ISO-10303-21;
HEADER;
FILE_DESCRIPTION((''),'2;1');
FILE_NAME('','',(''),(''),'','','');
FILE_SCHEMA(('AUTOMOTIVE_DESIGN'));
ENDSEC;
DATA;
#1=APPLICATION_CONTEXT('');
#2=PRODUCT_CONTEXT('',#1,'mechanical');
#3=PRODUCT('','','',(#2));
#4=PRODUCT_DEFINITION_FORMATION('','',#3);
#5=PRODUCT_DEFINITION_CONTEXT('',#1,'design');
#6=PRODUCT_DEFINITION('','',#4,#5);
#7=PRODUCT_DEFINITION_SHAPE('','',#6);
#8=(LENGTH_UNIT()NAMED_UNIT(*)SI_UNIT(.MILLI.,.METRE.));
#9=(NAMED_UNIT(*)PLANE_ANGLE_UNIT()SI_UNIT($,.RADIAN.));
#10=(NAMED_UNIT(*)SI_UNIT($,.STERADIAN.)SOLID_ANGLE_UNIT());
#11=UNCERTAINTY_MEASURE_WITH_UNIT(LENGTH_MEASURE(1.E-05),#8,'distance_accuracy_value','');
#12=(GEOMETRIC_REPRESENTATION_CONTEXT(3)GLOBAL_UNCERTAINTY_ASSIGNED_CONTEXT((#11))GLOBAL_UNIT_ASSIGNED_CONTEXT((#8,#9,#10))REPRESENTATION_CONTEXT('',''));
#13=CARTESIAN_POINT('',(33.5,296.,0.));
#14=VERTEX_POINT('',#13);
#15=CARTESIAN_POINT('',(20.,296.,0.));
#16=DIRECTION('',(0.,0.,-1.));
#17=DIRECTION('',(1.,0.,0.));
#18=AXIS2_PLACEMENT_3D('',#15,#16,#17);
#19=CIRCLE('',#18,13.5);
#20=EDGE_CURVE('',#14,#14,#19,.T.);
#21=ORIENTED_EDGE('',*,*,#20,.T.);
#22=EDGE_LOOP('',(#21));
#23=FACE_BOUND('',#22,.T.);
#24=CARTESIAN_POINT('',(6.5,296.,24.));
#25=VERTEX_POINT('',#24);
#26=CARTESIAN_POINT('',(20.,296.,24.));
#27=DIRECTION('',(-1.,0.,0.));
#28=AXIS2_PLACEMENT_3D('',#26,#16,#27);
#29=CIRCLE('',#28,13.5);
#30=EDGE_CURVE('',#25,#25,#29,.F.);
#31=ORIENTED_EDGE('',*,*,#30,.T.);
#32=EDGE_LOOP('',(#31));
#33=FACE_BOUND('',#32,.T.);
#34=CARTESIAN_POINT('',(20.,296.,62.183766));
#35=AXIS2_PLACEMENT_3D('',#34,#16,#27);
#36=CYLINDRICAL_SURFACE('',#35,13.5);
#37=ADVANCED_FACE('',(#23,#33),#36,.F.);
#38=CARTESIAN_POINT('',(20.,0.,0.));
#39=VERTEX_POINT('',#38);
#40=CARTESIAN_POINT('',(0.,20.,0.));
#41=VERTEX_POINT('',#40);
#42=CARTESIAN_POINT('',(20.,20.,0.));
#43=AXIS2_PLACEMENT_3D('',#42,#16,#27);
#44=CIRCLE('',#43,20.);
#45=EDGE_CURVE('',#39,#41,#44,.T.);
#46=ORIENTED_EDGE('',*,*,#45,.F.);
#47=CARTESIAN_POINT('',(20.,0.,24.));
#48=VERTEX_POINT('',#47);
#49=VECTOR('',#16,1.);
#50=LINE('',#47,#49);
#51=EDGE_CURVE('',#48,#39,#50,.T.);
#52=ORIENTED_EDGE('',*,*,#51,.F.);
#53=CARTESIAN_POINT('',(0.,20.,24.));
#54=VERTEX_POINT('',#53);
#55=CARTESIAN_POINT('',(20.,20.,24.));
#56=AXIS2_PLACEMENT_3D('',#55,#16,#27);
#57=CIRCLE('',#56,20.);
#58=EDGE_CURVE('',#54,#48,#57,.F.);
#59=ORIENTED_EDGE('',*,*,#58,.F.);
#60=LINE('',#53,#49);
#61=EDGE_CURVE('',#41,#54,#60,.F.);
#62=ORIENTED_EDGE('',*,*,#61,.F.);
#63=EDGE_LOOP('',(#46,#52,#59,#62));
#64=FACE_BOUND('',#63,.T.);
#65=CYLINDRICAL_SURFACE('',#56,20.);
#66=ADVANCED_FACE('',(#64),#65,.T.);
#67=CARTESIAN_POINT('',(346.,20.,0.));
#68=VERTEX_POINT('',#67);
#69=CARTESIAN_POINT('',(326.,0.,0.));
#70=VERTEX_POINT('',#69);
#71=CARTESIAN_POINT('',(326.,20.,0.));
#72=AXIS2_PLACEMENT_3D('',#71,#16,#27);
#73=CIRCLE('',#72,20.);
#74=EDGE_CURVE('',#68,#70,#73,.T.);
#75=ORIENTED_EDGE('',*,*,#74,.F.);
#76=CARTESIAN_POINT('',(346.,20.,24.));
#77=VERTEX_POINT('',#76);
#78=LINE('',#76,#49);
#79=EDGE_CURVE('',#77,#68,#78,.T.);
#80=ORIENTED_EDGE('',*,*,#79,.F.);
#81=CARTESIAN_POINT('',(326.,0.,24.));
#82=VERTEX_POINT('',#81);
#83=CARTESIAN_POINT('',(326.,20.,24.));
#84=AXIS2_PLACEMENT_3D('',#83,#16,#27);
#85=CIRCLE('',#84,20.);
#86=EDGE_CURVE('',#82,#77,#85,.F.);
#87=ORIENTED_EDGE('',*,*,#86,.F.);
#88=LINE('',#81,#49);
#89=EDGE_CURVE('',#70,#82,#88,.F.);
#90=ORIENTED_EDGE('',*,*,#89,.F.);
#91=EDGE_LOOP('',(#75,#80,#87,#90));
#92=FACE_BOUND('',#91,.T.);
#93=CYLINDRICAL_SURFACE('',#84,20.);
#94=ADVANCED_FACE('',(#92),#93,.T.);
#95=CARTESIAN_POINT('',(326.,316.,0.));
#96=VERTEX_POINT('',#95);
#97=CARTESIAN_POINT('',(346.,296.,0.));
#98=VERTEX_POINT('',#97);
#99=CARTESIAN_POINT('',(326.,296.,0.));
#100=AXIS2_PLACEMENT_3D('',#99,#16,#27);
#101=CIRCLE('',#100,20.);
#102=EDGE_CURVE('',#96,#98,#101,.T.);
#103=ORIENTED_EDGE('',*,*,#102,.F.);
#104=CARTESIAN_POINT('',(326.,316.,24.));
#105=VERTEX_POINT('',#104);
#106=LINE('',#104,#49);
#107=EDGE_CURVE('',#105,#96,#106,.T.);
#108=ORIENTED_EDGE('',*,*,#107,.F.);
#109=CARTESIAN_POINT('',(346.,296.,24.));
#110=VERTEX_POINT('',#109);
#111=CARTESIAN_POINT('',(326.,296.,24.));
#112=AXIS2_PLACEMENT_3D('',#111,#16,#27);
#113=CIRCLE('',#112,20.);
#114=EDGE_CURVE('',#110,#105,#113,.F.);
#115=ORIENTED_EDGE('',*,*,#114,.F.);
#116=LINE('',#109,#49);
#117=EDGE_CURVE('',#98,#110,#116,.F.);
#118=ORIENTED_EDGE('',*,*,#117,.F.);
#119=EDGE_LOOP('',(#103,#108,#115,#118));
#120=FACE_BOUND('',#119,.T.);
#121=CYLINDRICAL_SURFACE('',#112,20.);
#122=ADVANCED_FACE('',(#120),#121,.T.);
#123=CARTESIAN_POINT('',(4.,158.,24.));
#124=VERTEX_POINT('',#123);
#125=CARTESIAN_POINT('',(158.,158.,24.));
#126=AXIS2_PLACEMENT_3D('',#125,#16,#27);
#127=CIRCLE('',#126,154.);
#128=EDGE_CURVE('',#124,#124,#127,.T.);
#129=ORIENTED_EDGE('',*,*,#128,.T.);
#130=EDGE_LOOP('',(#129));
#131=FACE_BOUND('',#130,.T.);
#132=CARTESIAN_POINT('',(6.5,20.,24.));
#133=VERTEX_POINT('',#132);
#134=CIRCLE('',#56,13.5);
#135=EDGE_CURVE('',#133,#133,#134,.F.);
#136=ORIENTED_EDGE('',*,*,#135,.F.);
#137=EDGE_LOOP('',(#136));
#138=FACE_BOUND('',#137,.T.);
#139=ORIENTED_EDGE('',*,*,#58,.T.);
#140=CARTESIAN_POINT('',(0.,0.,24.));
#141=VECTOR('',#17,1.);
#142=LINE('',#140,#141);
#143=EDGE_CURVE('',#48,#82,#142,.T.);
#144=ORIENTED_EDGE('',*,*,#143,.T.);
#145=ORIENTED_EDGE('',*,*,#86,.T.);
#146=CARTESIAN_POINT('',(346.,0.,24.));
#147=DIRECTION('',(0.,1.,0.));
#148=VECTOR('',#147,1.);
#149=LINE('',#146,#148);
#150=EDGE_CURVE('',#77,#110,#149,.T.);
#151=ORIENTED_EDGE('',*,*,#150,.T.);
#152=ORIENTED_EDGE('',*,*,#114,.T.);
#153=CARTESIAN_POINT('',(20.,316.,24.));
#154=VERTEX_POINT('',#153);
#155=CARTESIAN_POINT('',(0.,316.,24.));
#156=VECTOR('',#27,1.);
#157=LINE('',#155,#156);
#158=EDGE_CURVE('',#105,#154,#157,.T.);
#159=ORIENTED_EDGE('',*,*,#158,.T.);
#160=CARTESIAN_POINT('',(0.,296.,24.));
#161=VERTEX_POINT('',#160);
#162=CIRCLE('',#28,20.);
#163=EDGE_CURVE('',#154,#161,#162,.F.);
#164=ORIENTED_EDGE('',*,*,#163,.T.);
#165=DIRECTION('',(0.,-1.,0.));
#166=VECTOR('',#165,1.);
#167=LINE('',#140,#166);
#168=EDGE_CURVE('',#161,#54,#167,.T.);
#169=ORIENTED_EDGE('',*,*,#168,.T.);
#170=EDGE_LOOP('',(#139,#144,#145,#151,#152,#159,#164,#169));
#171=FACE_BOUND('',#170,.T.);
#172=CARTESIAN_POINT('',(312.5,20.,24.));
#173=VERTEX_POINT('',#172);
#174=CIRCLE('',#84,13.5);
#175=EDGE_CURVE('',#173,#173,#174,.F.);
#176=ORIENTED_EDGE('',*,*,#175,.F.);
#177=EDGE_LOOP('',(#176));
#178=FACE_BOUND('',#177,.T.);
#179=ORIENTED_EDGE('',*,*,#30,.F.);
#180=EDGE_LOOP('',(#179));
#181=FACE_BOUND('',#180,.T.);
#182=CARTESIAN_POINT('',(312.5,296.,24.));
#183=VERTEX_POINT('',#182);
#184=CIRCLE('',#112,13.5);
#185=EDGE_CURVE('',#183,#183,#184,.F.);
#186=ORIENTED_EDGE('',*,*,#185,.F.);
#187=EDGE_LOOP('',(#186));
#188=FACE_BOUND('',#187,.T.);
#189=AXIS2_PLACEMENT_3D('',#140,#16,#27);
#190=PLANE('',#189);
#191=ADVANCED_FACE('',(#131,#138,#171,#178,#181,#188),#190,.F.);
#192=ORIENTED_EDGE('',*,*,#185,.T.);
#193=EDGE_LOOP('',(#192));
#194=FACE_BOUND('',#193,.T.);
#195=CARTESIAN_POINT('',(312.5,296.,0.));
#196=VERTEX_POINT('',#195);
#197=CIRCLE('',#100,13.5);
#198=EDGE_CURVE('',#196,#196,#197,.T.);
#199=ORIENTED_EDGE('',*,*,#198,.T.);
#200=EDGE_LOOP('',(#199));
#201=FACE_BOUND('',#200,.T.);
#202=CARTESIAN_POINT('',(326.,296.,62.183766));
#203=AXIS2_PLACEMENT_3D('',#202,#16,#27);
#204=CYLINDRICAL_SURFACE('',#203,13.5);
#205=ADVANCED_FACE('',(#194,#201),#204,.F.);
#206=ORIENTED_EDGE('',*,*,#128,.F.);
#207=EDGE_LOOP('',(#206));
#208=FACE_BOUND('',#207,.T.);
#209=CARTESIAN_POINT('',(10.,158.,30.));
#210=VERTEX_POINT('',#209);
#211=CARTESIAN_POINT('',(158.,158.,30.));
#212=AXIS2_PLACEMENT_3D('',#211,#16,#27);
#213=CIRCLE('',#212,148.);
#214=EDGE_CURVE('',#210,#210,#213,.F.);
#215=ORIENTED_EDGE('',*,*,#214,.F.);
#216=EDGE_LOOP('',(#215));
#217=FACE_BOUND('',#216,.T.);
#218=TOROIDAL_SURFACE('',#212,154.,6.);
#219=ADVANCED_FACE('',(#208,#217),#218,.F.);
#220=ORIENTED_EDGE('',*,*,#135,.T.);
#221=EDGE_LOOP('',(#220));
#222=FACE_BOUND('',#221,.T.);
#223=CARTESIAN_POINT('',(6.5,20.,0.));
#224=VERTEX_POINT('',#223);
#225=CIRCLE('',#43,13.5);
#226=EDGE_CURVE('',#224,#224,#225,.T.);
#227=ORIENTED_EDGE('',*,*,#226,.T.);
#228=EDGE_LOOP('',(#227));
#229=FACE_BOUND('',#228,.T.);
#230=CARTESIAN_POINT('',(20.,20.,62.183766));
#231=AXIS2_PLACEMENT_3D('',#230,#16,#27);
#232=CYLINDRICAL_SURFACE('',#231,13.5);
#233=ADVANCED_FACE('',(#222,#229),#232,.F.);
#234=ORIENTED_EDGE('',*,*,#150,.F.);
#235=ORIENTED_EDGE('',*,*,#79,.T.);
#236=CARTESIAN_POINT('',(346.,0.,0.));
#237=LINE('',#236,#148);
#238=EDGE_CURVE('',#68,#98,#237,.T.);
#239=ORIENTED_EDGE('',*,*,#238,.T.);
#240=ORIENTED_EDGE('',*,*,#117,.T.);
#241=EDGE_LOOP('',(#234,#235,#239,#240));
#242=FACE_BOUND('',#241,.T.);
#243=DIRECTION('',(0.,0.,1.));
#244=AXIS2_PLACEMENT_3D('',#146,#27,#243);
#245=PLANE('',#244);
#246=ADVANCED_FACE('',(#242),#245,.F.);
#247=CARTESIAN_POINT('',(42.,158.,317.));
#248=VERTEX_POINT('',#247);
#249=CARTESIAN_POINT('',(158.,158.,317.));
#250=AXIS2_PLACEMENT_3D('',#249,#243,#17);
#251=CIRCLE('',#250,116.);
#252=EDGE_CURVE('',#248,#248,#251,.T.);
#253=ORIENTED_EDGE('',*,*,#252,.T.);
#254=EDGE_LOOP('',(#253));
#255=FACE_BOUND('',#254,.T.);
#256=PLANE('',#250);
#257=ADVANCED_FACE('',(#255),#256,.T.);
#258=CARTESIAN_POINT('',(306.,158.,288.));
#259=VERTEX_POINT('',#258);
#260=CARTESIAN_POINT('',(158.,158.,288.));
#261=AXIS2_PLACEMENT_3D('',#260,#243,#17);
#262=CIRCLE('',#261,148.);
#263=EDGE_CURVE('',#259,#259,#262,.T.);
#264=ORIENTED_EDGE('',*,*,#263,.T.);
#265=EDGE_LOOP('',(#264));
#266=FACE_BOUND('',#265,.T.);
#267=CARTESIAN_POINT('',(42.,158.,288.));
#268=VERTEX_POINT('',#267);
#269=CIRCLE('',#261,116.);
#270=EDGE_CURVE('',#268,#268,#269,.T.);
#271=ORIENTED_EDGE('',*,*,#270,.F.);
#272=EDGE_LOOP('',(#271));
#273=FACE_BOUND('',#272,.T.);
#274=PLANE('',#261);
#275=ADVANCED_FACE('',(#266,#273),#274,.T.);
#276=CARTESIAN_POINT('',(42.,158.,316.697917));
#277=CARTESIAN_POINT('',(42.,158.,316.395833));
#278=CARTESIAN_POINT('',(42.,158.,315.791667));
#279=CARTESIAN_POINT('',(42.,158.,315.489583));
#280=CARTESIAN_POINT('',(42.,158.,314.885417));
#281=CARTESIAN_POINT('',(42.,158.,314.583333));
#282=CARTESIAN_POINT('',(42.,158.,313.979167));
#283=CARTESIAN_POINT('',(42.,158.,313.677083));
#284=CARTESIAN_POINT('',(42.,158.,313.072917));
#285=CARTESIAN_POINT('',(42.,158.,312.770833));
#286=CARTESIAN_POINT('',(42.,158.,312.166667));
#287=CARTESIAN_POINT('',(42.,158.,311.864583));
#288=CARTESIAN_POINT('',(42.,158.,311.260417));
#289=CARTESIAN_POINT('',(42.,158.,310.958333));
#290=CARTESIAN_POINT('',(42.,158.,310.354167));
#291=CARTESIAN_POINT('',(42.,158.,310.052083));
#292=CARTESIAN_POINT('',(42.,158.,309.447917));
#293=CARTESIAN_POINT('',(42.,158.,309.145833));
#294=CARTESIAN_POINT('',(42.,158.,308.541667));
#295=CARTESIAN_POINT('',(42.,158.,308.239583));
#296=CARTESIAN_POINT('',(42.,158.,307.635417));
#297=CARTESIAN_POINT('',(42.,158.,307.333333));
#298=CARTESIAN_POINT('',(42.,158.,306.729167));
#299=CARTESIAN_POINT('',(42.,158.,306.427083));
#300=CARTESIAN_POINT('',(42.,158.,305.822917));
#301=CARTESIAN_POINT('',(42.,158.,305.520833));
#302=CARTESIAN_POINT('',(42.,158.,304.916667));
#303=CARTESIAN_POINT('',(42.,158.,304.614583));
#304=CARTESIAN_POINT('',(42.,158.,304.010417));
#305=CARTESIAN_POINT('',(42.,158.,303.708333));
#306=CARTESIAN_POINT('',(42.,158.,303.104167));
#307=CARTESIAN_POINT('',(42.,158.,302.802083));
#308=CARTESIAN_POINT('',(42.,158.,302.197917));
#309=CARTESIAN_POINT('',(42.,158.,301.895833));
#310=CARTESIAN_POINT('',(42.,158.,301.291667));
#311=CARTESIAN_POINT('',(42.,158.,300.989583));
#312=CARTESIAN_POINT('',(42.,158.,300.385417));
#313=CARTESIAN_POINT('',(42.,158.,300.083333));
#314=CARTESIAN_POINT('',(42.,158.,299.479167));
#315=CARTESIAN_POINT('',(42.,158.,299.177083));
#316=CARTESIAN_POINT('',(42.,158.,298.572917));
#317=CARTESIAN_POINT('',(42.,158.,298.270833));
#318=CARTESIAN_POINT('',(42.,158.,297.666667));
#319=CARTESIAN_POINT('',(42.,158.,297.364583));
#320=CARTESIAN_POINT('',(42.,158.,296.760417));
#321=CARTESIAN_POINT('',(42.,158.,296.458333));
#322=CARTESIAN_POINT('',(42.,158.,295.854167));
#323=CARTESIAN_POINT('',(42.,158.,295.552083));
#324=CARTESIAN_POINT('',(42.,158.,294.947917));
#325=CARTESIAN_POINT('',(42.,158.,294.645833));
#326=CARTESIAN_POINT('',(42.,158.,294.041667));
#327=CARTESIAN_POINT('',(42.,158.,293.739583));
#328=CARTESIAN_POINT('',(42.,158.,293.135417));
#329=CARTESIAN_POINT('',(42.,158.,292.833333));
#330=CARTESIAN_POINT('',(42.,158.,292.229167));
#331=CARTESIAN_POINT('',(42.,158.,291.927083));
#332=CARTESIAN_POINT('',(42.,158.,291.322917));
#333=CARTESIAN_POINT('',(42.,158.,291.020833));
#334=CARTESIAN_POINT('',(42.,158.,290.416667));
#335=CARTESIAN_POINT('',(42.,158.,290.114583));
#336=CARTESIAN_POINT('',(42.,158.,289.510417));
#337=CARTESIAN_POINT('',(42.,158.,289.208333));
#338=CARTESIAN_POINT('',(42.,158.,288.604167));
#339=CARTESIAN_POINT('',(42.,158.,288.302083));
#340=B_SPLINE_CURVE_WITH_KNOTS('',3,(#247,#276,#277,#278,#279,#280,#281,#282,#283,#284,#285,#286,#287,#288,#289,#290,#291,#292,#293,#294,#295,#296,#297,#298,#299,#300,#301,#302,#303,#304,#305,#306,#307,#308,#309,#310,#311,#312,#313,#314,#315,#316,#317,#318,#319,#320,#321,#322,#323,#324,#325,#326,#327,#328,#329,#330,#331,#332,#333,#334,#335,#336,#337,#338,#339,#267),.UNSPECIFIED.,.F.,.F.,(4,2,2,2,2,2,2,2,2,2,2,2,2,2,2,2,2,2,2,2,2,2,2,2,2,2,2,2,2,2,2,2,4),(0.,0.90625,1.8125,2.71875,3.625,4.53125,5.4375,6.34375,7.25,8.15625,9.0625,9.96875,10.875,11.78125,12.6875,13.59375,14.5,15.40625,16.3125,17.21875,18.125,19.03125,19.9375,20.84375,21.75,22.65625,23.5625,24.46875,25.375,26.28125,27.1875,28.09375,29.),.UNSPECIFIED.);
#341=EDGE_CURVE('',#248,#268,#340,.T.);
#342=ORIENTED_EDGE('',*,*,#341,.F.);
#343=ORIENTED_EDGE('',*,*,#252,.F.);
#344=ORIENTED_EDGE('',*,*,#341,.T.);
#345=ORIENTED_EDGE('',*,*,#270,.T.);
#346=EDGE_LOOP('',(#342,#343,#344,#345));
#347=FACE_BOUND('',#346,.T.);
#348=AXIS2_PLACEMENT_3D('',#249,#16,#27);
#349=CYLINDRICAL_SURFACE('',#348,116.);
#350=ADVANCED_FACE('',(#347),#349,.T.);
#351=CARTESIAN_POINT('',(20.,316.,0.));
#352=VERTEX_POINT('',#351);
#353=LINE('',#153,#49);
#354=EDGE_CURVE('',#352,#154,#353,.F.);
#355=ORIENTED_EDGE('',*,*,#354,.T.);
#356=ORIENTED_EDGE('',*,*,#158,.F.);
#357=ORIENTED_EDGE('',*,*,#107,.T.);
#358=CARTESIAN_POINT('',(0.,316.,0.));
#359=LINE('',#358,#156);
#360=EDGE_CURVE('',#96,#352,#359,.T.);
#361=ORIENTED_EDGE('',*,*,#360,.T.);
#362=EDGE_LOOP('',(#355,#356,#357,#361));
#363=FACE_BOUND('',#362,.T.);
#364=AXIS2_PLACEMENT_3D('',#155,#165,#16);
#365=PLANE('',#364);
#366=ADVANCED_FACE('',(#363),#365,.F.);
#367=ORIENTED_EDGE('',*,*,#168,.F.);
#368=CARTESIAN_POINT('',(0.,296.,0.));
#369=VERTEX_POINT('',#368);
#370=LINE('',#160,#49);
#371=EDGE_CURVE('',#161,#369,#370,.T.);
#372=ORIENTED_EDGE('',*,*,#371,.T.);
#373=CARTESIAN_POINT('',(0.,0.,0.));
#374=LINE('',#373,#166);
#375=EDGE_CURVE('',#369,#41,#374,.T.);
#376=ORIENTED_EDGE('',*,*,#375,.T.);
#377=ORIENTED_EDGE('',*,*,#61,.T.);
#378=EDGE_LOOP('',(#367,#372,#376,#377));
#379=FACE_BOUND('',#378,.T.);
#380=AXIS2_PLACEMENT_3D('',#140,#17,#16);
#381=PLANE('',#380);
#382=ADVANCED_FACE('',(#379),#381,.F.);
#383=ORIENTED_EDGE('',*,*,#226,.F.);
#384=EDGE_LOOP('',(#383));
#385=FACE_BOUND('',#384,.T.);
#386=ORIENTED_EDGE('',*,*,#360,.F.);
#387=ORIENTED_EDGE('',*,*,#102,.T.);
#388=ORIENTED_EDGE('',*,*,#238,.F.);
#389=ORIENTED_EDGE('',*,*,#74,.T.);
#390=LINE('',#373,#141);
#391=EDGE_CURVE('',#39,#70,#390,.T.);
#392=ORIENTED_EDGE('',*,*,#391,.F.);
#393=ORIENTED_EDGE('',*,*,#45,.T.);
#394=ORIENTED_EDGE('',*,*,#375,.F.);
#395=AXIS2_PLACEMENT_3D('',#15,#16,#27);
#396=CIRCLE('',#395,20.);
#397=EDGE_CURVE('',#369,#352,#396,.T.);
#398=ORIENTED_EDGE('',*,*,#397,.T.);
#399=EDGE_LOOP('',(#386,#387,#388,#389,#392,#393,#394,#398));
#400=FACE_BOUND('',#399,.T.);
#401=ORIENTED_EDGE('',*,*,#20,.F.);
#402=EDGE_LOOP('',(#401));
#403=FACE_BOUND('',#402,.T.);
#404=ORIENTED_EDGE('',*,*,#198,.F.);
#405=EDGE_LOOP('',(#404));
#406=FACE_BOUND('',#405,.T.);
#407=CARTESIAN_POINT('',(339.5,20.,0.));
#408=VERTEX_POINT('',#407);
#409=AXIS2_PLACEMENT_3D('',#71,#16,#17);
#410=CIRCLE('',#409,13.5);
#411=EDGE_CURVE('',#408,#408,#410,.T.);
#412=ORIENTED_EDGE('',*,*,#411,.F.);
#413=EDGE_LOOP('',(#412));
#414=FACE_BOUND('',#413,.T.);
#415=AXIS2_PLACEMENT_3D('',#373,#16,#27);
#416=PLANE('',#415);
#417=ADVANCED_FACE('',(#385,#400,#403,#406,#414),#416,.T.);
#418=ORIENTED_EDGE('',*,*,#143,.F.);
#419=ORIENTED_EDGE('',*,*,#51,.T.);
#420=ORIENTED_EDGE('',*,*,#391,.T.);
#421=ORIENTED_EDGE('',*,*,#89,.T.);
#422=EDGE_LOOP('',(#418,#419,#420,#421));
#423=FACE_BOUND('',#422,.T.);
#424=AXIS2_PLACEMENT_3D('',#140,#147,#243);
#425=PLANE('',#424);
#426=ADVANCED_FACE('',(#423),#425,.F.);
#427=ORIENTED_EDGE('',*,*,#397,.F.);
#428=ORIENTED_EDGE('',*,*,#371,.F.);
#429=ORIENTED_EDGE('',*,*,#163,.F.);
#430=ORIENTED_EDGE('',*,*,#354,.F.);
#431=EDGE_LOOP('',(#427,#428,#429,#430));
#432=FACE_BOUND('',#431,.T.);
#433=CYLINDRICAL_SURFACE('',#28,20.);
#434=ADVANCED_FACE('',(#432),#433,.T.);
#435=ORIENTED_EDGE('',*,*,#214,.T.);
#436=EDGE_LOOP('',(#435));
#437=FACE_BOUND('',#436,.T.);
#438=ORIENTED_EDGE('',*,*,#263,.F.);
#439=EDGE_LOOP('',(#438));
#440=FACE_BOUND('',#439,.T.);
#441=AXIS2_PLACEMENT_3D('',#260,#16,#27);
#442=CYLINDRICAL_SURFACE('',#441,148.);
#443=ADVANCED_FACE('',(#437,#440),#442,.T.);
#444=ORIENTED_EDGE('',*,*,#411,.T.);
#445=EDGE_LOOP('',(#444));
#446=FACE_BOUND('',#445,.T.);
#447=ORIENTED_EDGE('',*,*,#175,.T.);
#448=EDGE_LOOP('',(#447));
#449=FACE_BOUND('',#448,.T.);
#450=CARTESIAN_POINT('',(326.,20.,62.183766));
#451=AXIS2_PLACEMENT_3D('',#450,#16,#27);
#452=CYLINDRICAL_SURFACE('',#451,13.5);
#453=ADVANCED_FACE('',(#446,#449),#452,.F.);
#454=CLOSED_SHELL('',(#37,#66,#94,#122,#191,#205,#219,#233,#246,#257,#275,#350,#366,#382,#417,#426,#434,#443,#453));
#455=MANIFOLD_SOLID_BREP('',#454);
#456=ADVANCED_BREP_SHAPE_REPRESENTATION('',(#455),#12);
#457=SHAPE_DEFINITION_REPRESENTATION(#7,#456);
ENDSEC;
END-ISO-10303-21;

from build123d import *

# Parameters (mm, degrees)
SKIZZE1_W                       = 173
SKIZZE1_H                       = 158
AUFSATZ_LINEAR_AUSTRAGEN1_DEPTH = 12
VERRUNDUNG1_R                   = 10
SKIZZE2_R                       = 74
AUFSATZ_LINEAR_AUSTRAGEN2_DEPTH = 132
SKIZZE3_R                       = 58
AUFSATZ_LINEAR_AUSTRAGEN3_DEPTH = 14.5
SKIZZE4_R                       = 6.75
SCHNITT_LINEAR_AUSTRAGEN1_DEPTH = 12
VERRUNDUNG2_R                   = 3
SKALIEREN1_SCALE                = 2


with BuildPart() as part:
    # Skizze1 → Aufsatz-Linear austragen1 (new body)
    with BuildSketch(Plane.XY):
        with Locations((86.5, 79)):
            Rectangle(SKIZZE1_W, SKIZZE1_H)
    extrude(amount=AUFSATZ_LINEAR_AUSTRAGEN1_DEPTH)

    # Verrundung1
    verrundung1_edges = [part.edges().sort_by_distance(p)[0] for p in [
        (0, 158, 6),
        (173, 158, 6),
        (173, 0, 6),
        (0, 0, 6),
    ]]
    fillet(verrundung1_edges, radius=VERRUNDUNG1_R)

    # Skizze2 → Aufsatz-Linear austragen2 (add)
    with BuildSketch(Plane.XY.offset(12)):
        with Locations((79, 79)):
            Circle(SKIZZE2_R)
    extrude(amount=AUFSATZ_LINEAR_AUSTRAGEN2_DEPTH)

    # Skizze3 → Aufsatz-Linear austragen3 (add)
    with BuildSketch(Plane.XY.offset(144)):
        with Locations(Location((79, 79, 0), (0, 0, 180))):
            Circle(SKIZZE3_R)
    extrude(amount=AUFSATZ_LINEAR_AUSTRAGEN3_DEPTH)

    # Skizze4 → Schnitt-Linear austragen1 (cut)
    with BuildSketch(Plane(origin=(0, 0, 0), x_dir=(-1, 0, 0), z_dir=(0, 0, -1))):
        with Locations((-163, 148)):
            Circle(SKIZZE4_R)
        with Locations((-10, 148)):
            Circle(SKIZZE4_R)
        with Locations((-10, 10)):
            Circle(SKIZZE4_R)
        with Locations((-163, 10)):
            Circle(SKIZZE4_R)
    extrude(amount=-SCHNITT_LINEAR_AUSTRAGEN1_DEPTH, mode=Mode.SUBTRACT)

    # Verrundung2
    verrundung2_edges = [part.edges().sort_by_distance(p)[0] for p in [
        (5, 79, 12),
    ]]
    fillet(verrundung2_edges, radius=VERRUNDUNG2_R)


with BuildPart() as part_1:
    # Skalieren1: scaled about (0, 0, 0)
    add(part.part.scale(SKALIEREN1_SCALE))


solid = part_1.part
